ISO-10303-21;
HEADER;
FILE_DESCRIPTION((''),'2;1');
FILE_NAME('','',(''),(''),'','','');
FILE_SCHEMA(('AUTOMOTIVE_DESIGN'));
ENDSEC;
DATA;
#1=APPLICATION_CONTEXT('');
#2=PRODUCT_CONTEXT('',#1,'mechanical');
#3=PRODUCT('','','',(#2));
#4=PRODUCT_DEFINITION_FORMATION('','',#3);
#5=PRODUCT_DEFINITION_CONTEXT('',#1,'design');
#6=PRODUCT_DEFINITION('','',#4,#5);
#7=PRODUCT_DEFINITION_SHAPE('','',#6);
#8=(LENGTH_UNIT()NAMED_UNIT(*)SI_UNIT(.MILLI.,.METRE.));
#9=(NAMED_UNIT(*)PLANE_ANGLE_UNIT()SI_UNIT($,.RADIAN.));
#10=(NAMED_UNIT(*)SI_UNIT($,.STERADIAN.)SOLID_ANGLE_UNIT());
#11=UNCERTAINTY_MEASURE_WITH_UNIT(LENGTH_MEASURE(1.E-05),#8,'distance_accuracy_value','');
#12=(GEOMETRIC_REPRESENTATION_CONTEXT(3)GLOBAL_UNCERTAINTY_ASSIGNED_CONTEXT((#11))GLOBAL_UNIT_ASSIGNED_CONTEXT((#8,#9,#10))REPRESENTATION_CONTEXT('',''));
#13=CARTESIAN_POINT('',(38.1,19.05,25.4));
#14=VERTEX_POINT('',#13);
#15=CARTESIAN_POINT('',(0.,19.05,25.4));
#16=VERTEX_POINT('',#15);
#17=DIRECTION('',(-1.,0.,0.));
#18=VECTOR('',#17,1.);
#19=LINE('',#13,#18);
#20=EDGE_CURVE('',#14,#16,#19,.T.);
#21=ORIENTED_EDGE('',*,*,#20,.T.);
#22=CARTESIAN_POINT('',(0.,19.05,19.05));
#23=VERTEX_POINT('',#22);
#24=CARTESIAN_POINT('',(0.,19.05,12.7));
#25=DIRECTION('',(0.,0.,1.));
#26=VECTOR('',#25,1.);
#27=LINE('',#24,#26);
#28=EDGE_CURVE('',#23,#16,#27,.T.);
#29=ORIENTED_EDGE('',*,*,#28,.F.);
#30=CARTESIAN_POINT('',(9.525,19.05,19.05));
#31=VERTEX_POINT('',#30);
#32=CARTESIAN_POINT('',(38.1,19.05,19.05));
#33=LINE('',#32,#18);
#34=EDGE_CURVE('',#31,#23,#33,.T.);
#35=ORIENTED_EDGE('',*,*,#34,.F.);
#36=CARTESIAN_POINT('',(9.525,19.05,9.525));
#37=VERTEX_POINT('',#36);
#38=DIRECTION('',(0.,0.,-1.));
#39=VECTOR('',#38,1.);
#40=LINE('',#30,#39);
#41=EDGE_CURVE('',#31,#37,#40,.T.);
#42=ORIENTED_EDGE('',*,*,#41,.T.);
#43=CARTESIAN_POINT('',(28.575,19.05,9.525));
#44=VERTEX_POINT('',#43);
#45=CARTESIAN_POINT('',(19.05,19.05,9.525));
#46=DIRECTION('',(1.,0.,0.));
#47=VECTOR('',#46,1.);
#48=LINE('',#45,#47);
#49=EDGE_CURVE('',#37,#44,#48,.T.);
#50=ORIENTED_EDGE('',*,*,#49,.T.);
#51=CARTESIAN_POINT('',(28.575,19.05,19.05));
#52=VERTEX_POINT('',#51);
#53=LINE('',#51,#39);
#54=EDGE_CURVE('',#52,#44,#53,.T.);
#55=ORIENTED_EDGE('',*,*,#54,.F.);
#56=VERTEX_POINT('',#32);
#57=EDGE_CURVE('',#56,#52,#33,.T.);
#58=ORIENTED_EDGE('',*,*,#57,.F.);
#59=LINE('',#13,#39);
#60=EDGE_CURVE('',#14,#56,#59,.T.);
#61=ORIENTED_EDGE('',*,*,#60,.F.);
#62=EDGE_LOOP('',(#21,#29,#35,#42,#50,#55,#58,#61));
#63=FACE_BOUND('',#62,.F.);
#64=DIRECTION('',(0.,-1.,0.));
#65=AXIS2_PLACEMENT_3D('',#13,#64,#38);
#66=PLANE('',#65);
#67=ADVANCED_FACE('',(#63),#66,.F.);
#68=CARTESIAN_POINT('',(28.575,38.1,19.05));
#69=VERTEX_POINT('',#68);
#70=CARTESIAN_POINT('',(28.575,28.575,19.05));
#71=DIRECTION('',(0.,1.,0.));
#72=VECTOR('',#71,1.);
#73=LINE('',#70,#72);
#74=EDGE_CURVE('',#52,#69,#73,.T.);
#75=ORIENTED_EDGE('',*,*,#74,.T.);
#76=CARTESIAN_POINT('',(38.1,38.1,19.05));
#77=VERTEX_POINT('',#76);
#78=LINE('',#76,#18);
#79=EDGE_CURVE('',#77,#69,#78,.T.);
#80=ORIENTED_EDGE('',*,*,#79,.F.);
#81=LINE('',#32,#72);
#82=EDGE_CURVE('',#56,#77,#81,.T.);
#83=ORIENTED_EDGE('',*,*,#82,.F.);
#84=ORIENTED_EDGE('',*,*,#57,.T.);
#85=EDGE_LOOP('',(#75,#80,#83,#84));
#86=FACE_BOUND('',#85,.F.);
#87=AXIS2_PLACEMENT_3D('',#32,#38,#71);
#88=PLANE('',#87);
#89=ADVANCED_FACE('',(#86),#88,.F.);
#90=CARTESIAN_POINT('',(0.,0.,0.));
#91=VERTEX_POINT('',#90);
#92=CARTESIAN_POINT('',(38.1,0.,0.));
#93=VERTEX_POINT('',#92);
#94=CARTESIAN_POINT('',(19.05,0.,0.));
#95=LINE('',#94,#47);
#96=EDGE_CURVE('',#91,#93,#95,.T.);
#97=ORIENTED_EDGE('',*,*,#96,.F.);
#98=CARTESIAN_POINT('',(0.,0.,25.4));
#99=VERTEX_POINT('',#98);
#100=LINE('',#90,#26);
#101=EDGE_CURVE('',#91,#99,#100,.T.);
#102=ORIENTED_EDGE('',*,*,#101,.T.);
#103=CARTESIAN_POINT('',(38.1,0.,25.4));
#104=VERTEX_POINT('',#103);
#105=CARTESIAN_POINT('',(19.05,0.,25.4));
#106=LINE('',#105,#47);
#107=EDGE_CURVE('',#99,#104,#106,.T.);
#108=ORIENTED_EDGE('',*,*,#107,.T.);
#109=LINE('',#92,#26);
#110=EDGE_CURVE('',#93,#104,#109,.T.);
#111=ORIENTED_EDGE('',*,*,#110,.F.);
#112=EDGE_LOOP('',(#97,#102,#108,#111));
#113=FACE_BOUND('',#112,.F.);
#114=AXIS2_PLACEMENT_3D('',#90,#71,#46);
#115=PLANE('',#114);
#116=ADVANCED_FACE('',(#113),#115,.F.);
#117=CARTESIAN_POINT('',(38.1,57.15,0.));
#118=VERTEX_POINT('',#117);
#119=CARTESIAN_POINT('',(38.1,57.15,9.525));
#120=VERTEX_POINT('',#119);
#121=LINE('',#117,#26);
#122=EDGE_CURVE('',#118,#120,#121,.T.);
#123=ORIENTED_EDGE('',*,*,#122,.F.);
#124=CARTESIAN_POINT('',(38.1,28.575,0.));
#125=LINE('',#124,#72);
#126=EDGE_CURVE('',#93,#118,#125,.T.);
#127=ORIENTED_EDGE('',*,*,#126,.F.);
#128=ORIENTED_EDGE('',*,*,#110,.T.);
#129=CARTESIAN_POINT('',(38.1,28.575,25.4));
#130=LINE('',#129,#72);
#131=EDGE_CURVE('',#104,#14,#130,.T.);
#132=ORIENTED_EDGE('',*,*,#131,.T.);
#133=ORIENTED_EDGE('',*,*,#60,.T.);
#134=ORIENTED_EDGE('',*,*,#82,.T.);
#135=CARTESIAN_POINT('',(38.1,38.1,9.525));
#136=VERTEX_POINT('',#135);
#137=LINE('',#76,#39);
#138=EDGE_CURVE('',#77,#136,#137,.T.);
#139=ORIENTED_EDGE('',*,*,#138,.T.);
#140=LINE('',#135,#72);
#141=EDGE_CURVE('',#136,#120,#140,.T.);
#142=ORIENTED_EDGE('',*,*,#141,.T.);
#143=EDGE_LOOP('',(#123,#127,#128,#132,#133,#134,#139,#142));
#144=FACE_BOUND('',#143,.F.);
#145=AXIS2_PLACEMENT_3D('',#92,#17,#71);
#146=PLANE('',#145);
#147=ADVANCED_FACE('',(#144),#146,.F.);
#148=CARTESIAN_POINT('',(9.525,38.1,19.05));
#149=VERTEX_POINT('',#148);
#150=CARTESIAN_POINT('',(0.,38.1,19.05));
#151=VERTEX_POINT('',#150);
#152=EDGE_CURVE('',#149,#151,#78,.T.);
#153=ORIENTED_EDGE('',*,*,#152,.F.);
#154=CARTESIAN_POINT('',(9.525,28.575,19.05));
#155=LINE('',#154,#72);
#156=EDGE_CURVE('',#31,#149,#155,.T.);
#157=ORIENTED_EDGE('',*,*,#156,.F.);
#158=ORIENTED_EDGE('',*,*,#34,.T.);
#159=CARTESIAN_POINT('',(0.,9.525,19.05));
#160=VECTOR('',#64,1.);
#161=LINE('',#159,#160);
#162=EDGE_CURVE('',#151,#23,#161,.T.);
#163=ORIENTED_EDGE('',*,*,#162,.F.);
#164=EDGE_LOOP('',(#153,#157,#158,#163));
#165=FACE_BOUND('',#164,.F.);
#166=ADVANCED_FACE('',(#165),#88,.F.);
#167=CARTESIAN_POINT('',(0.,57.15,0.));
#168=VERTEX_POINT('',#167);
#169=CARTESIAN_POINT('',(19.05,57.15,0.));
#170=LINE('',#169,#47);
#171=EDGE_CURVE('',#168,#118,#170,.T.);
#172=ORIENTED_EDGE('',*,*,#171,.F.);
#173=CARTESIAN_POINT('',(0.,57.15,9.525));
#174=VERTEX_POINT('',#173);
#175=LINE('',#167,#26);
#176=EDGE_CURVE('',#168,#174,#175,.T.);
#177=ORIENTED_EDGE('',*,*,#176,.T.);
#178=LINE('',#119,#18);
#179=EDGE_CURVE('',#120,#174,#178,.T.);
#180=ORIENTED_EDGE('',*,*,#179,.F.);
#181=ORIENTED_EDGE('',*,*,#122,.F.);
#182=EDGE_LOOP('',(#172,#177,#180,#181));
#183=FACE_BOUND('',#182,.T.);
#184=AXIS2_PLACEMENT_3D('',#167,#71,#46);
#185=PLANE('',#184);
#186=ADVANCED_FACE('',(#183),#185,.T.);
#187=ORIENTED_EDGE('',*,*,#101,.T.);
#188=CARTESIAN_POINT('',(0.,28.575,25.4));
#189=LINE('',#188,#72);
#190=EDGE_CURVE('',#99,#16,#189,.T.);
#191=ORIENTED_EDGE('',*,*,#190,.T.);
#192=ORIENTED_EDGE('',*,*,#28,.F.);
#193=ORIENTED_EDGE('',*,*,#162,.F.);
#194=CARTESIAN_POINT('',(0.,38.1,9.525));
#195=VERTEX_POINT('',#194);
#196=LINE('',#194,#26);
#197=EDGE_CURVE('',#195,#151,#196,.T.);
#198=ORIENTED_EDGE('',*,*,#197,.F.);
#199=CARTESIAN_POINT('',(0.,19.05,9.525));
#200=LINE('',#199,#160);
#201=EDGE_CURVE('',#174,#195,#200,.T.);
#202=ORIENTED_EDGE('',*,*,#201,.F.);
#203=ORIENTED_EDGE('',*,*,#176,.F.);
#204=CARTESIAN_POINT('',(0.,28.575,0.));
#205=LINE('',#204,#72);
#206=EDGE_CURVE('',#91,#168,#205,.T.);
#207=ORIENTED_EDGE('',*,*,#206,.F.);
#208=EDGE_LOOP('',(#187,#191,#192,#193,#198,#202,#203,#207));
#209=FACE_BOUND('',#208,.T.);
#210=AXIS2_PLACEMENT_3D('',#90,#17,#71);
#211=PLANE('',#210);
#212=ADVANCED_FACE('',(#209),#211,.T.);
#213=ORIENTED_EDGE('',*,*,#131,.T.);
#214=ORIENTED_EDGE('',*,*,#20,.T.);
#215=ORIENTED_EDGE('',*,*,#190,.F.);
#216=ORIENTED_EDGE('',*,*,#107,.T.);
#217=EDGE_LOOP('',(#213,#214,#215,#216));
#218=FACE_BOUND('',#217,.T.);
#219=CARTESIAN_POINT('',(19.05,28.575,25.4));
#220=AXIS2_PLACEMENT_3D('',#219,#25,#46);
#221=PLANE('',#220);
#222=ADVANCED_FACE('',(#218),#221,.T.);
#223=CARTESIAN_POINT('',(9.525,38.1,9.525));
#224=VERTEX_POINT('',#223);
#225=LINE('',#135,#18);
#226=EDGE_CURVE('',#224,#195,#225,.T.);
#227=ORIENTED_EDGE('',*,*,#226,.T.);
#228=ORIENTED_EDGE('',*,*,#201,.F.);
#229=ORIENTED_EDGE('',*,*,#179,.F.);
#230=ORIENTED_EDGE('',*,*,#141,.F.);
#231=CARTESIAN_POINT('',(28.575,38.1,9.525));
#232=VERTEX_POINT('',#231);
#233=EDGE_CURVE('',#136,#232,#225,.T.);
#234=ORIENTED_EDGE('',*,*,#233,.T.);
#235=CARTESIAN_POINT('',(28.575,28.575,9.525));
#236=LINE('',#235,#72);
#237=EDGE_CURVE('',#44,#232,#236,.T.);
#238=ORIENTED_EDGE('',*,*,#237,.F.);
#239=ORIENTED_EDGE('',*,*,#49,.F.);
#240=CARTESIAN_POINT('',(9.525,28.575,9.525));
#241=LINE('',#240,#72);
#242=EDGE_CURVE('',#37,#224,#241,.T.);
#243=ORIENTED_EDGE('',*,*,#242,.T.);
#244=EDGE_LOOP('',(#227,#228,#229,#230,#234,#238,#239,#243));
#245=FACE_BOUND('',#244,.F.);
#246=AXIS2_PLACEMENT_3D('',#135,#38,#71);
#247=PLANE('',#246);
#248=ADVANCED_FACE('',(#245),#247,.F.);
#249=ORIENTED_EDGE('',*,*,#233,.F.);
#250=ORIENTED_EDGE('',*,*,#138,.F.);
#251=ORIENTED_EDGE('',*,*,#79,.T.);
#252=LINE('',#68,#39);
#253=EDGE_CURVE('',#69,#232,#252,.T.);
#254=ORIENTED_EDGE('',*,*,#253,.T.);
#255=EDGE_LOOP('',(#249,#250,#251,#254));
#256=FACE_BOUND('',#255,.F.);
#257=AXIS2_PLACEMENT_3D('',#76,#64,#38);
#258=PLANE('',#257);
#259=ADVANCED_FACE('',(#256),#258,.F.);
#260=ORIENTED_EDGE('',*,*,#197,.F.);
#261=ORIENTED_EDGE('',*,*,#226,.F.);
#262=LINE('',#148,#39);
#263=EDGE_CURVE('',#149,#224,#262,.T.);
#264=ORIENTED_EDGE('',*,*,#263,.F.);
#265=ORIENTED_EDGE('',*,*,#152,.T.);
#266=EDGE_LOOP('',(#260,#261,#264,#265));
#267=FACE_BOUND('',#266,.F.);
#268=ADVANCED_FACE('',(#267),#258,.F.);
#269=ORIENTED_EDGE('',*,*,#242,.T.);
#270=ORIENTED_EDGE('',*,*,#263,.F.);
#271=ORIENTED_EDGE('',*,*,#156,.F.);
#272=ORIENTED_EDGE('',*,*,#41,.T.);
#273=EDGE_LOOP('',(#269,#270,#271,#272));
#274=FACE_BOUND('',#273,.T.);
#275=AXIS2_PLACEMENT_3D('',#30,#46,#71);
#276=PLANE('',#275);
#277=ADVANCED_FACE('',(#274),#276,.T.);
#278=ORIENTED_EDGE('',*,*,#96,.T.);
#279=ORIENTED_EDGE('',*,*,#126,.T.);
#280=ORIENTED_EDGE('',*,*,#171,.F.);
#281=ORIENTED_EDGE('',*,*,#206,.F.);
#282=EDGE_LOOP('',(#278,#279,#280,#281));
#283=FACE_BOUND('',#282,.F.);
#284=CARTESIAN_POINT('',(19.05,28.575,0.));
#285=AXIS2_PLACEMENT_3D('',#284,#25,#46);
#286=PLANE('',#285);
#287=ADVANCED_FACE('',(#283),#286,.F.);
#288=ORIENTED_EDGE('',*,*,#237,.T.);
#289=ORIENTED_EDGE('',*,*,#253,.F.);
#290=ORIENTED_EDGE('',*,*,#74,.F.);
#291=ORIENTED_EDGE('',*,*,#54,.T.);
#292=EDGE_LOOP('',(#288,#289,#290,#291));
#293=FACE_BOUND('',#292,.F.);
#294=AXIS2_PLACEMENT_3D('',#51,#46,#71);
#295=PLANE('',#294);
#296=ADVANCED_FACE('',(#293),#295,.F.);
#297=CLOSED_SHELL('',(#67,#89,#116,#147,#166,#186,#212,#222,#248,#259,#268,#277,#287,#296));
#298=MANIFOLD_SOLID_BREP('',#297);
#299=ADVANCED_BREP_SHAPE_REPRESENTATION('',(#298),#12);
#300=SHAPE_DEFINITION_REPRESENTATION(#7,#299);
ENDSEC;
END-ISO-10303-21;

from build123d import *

# Parameters (mm, degrees)
F0_W     = 38.1
F0_H     = 57.15
F1_DEPTH = 25.4
F3_DEPTH = 38.101
F4_W     = 19.05
F4_H     = 19.05
F5_DEPTH = 9.525


with BuildPart() as f1:
    # F0 (on Top) → F1 (new body)
    with BuildSketch(Plane.XY):
        with Locations((19.05, 28.575)):
            Rectangle(F0_W, F0_H)
    extrude(amount=F1_DEPTH)

    # F2 (on face) → F3 (cut, through all)
    with BuildSketch(Plane.YZ.offset(38.1)):
        Polygon((57.15, 25.4), (19.05, 25.4), (19.05, 19.05), (38.1, 19.05), (38.1, 9.525), (57.15, 9.525), align=None)
    extrude(amount=-F3_DEPTH, mode=Mode.SUBTRACT)

    # F4 (on face) → F5 (cut)
    with BuildSketch(Plane.XY.offset(19.05)):
        with Locations((19.05, 28.575)):
            Rectangle(F4_W, F4_H)
    extrude(amount=-F5_DEPTH, mode=Mode.SUBTRACT)


solid = f1.part
